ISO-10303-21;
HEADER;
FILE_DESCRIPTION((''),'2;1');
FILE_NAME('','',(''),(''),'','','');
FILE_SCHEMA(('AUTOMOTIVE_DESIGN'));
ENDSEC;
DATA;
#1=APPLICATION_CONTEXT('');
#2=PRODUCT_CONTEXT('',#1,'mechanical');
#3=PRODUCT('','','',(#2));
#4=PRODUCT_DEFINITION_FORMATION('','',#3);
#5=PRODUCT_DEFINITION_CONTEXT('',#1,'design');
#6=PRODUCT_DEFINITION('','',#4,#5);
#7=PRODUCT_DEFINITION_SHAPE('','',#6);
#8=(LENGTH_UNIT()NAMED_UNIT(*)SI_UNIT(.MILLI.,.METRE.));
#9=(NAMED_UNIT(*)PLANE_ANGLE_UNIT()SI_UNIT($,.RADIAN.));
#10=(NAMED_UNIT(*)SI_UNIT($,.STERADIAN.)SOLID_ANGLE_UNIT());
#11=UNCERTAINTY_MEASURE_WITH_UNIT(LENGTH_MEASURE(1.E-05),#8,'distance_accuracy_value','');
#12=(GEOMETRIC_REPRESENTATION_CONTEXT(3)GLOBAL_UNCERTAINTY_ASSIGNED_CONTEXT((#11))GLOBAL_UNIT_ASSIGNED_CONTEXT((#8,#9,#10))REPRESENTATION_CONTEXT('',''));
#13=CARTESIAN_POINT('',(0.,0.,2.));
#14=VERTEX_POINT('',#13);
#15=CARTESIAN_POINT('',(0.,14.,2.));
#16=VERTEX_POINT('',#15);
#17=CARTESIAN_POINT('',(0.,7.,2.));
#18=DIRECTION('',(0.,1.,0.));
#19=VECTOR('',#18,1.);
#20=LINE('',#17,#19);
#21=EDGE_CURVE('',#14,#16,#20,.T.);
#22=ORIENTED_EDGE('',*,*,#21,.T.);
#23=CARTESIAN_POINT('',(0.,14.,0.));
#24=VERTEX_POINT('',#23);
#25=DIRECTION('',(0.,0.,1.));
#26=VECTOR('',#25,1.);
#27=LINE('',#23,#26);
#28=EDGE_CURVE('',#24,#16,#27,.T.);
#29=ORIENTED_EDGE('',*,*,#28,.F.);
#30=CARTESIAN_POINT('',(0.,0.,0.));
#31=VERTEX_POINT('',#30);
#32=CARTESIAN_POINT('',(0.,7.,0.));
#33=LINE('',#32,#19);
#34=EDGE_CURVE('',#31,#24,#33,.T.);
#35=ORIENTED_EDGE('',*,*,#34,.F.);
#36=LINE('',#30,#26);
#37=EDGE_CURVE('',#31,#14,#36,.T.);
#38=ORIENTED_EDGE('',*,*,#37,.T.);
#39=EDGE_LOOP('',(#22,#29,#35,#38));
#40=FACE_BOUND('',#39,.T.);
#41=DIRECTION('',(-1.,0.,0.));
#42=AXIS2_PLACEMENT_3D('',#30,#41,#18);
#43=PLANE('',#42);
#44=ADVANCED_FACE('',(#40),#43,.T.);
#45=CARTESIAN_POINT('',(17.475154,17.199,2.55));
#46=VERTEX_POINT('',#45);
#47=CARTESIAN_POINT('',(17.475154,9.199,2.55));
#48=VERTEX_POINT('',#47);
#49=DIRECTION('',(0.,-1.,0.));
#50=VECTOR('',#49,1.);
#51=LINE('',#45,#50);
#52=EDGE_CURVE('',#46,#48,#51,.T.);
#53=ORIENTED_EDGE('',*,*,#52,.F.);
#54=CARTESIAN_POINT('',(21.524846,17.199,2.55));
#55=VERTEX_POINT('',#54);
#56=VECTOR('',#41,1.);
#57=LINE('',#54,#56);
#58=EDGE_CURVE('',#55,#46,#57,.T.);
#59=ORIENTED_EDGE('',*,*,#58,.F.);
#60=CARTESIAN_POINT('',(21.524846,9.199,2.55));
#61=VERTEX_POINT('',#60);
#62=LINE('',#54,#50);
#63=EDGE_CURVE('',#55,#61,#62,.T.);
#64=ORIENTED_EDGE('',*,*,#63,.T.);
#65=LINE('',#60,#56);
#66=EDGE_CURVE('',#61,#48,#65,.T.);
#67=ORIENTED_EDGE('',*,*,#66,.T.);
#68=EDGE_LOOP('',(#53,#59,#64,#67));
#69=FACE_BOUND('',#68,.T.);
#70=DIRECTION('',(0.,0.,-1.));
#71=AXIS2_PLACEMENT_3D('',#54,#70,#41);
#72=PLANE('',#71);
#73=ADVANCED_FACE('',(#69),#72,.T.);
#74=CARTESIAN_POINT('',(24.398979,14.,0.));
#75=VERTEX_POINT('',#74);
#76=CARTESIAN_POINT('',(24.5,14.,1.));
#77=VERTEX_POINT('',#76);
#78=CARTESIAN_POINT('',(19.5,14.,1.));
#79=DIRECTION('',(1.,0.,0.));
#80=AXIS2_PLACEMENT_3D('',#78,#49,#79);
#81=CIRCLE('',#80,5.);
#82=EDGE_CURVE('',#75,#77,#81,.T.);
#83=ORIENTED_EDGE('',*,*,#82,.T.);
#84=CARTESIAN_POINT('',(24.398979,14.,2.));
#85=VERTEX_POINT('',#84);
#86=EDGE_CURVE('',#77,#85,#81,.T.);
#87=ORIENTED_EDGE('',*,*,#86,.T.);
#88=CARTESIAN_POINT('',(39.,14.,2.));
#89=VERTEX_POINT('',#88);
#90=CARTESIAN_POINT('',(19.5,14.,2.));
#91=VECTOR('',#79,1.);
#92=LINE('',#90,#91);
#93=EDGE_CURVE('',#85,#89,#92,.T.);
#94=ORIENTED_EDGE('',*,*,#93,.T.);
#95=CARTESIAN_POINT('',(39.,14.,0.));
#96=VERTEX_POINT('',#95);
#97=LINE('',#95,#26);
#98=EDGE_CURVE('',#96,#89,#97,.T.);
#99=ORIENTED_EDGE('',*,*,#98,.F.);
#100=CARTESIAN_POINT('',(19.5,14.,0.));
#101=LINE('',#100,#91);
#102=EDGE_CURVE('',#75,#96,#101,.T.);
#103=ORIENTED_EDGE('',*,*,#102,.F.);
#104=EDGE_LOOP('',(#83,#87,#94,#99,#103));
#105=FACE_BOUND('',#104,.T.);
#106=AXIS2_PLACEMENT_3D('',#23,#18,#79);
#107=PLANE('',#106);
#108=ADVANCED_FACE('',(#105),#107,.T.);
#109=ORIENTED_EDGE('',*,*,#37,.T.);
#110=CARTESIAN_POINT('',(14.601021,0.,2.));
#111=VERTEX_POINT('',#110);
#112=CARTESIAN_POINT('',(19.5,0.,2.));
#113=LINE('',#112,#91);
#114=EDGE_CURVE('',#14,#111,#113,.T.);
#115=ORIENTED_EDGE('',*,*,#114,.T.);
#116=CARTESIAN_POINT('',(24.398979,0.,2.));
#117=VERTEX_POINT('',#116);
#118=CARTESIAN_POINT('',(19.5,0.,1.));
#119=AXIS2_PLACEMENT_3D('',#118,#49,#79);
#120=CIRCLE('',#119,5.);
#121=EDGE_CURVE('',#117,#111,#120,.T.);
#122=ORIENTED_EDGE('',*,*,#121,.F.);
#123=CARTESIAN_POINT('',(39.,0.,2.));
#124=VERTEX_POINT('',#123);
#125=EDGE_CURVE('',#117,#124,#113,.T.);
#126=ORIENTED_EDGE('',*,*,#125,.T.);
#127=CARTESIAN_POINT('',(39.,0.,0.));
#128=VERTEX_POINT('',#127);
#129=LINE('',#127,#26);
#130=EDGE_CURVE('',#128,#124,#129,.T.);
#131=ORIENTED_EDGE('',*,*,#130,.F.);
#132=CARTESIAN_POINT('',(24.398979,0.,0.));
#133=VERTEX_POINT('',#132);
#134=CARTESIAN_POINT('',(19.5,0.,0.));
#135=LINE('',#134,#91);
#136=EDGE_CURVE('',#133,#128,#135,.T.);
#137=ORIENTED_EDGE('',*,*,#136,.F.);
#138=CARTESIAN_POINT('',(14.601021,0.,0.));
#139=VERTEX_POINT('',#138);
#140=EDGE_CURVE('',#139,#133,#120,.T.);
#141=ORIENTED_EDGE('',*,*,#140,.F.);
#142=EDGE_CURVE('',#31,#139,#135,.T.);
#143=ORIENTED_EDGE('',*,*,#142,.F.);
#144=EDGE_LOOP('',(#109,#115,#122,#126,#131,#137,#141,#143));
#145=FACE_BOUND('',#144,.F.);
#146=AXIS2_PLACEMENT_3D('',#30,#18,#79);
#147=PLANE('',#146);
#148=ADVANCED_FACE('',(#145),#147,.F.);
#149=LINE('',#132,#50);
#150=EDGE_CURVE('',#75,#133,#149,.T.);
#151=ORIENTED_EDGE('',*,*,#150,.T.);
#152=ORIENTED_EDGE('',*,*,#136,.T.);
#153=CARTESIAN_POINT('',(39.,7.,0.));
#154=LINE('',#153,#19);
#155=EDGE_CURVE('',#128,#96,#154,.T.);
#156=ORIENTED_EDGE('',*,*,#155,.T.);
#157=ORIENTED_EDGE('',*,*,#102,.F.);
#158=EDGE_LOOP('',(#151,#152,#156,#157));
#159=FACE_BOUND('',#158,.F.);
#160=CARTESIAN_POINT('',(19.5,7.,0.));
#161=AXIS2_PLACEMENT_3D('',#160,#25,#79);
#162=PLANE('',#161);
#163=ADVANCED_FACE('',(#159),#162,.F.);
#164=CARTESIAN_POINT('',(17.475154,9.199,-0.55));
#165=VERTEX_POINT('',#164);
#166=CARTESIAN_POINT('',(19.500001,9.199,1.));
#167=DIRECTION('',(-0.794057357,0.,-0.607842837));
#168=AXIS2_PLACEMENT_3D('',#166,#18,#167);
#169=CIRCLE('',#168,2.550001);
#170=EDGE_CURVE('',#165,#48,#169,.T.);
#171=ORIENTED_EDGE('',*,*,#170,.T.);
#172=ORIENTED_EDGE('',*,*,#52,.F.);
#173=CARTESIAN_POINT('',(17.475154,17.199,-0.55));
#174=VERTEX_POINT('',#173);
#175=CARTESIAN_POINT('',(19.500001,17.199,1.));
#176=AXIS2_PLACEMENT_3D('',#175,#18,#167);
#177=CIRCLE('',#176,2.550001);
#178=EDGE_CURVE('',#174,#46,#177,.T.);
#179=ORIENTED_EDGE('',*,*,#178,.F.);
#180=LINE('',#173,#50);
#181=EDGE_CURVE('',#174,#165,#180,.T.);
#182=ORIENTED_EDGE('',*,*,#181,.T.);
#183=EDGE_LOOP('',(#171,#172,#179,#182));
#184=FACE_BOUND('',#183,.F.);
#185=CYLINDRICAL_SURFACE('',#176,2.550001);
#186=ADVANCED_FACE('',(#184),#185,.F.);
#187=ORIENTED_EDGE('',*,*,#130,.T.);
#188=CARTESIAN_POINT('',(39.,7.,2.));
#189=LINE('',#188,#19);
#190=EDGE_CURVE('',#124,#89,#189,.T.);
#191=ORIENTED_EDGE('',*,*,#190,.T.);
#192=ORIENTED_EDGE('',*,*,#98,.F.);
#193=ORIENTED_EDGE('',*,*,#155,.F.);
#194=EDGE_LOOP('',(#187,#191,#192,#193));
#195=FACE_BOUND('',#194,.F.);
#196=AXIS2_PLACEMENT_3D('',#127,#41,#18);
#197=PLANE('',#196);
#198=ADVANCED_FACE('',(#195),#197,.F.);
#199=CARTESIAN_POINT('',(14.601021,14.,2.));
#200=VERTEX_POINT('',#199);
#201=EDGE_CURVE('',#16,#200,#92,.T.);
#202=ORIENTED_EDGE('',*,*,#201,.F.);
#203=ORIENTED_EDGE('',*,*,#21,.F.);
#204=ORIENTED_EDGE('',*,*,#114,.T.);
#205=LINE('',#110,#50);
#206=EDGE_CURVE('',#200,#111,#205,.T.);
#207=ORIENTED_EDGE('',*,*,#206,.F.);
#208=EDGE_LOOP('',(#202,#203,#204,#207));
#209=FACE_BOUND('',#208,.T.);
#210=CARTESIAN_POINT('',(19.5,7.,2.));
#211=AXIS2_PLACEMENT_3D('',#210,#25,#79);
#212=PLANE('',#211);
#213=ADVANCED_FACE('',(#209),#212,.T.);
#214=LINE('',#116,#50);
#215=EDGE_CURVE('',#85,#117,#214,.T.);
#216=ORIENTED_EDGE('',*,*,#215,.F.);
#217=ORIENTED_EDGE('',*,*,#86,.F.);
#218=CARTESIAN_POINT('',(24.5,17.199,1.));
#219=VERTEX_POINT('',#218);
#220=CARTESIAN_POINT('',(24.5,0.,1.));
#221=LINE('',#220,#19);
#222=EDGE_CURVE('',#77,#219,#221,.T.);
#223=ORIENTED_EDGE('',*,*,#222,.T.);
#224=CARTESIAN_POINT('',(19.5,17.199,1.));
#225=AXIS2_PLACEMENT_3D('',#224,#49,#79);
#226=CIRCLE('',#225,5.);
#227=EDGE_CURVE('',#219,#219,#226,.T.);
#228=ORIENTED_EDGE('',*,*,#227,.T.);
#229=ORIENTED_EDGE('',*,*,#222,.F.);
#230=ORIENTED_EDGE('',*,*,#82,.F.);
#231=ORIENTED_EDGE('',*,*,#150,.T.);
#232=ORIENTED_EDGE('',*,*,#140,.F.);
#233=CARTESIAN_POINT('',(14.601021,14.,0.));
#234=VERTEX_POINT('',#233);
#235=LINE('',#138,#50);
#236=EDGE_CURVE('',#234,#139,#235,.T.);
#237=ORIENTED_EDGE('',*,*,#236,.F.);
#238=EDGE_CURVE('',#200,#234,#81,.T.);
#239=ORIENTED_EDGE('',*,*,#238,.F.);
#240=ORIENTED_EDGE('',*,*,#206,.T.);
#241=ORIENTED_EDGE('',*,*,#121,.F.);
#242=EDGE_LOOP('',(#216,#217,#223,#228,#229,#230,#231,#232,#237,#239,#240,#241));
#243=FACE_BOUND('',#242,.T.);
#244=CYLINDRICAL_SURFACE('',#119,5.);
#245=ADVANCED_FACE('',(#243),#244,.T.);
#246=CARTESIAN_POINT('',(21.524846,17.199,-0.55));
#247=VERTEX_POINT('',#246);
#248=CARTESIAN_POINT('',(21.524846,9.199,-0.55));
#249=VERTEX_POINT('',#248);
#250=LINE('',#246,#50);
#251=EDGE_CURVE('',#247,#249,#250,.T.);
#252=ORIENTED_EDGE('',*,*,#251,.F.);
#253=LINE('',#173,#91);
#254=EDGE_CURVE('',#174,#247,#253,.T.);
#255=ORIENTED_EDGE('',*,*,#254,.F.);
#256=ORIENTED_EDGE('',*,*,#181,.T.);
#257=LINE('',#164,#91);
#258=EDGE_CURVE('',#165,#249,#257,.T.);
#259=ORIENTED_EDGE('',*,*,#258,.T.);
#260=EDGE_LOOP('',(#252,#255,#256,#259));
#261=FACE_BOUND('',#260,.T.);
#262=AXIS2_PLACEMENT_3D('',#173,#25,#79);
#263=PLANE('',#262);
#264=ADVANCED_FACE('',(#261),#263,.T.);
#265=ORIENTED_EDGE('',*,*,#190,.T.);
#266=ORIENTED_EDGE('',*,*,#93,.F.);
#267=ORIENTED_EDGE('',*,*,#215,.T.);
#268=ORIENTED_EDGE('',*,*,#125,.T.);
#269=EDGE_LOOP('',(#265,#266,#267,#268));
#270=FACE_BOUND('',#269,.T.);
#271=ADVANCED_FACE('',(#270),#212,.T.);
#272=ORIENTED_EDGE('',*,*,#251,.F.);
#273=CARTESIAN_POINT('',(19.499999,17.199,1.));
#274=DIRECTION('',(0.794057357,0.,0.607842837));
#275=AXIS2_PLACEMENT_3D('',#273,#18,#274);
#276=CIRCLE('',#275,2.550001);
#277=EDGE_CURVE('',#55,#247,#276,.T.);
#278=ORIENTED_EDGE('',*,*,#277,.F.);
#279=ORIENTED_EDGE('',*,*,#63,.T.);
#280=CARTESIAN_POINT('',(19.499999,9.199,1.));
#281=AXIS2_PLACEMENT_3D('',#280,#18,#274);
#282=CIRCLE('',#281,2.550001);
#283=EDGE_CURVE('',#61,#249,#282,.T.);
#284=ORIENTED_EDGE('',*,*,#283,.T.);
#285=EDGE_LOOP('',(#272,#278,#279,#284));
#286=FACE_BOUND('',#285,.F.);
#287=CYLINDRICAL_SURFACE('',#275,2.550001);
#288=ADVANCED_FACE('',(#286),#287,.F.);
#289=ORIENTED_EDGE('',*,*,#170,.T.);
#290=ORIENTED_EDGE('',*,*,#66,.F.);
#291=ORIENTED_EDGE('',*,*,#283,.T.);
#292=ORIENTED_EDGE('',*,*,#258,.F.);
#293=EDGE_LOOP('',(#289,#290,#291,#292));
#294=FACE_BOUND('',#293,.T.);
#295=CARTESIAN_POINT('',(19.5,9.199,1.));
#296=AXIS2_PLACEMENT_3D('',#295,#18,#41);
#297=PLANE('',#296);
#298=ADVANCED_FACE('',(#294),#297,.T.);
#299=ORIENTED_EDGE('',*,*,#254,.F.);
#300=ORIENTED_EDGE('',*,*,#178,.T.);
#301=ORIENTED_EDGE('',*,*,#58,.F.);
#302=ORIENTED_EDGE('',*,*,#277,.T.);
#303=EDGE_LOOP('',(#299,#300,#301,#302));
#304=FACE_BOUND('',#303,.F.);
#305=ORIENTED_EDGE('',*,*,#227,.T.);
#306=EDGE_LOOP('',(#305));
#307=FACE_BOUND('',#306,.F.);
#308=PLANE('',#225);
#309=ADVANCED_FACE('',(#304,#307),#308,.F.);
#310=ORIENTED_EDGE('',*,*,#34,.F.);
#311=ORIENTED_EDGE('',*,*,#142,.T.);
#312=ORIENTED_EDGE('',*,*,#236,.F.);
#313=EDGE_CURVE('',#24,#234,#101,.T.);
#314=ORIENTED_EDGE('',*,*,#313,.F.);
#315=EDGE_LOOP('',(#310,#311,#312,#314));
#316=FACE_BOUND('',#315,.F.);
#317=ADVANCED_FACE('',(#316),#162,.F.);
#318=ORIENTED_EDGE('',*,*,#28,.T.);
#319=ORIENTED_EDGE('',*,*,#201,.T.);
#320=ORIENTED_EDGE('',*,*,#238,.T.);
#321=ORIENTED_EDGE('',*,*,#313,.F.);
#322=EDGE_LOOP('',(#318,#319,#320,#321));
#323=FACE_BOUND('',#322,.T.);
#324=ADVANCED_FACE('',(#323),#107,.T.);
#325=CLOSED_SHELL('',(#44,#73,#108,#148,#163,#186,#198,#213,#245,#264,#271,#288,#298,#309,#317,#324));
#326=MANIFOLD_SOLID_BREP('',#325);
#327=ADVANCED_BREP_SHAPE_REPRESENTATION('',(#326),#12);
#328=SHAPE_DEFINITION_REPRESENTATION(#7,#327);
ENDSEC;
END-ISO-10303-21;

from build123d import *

# Parameters (mm, degrees)
SKETCH_W     = 39
SKETCH_H     = 14
PAD_DEPTH    = 2
SKETCH001_R  = 5
PAD001_DEPTH = 17.199
POCKET_DEPTH = 8


with BuildPart() as part:
    # Sketch → Pad (new body)
    with BuildSketch(Plane.XY):
        with Locations((19.5, 7)):
            Rectangle(SKETCH_W, SKETCH_H)
    extrude(amount=PAD_DEPTH)

    # Sketch001 (on Face1 of Pad) → Pad001 (join)
    with BuildSketch(Plane.XZ):
        with Locations((19.5, 1)):
            Circle(SKETCH001_R)
    extrude(amount=-PAD001_DEPTH)

    # Sketch002 (on Face14 of Pad001) → Pocket (cut)
    with BuildSketch(Plane(origin=(0, 17.199, 0), x_dir=(-1, 0, 0), z_dir=(0, 1, 0))):
        with BuildLine():
            ThreePointArc((-21.524846, 2.55), (-22.05, 1), (-21.524846, -0.55))
            Line((-17.475154, -0.55), (-21.524846, -0.55))
            ThreePointArc((-17.475154, -0.55), (-16.95, 1), (-17.475154, 2.55))
            Line((-21.524846, 2.55), (-17.475154, 2.55))
        make_face()
    extrude(amount=-POCKET_DEPTH, mode=Mode.SUBTRACT)


solid = part.part
